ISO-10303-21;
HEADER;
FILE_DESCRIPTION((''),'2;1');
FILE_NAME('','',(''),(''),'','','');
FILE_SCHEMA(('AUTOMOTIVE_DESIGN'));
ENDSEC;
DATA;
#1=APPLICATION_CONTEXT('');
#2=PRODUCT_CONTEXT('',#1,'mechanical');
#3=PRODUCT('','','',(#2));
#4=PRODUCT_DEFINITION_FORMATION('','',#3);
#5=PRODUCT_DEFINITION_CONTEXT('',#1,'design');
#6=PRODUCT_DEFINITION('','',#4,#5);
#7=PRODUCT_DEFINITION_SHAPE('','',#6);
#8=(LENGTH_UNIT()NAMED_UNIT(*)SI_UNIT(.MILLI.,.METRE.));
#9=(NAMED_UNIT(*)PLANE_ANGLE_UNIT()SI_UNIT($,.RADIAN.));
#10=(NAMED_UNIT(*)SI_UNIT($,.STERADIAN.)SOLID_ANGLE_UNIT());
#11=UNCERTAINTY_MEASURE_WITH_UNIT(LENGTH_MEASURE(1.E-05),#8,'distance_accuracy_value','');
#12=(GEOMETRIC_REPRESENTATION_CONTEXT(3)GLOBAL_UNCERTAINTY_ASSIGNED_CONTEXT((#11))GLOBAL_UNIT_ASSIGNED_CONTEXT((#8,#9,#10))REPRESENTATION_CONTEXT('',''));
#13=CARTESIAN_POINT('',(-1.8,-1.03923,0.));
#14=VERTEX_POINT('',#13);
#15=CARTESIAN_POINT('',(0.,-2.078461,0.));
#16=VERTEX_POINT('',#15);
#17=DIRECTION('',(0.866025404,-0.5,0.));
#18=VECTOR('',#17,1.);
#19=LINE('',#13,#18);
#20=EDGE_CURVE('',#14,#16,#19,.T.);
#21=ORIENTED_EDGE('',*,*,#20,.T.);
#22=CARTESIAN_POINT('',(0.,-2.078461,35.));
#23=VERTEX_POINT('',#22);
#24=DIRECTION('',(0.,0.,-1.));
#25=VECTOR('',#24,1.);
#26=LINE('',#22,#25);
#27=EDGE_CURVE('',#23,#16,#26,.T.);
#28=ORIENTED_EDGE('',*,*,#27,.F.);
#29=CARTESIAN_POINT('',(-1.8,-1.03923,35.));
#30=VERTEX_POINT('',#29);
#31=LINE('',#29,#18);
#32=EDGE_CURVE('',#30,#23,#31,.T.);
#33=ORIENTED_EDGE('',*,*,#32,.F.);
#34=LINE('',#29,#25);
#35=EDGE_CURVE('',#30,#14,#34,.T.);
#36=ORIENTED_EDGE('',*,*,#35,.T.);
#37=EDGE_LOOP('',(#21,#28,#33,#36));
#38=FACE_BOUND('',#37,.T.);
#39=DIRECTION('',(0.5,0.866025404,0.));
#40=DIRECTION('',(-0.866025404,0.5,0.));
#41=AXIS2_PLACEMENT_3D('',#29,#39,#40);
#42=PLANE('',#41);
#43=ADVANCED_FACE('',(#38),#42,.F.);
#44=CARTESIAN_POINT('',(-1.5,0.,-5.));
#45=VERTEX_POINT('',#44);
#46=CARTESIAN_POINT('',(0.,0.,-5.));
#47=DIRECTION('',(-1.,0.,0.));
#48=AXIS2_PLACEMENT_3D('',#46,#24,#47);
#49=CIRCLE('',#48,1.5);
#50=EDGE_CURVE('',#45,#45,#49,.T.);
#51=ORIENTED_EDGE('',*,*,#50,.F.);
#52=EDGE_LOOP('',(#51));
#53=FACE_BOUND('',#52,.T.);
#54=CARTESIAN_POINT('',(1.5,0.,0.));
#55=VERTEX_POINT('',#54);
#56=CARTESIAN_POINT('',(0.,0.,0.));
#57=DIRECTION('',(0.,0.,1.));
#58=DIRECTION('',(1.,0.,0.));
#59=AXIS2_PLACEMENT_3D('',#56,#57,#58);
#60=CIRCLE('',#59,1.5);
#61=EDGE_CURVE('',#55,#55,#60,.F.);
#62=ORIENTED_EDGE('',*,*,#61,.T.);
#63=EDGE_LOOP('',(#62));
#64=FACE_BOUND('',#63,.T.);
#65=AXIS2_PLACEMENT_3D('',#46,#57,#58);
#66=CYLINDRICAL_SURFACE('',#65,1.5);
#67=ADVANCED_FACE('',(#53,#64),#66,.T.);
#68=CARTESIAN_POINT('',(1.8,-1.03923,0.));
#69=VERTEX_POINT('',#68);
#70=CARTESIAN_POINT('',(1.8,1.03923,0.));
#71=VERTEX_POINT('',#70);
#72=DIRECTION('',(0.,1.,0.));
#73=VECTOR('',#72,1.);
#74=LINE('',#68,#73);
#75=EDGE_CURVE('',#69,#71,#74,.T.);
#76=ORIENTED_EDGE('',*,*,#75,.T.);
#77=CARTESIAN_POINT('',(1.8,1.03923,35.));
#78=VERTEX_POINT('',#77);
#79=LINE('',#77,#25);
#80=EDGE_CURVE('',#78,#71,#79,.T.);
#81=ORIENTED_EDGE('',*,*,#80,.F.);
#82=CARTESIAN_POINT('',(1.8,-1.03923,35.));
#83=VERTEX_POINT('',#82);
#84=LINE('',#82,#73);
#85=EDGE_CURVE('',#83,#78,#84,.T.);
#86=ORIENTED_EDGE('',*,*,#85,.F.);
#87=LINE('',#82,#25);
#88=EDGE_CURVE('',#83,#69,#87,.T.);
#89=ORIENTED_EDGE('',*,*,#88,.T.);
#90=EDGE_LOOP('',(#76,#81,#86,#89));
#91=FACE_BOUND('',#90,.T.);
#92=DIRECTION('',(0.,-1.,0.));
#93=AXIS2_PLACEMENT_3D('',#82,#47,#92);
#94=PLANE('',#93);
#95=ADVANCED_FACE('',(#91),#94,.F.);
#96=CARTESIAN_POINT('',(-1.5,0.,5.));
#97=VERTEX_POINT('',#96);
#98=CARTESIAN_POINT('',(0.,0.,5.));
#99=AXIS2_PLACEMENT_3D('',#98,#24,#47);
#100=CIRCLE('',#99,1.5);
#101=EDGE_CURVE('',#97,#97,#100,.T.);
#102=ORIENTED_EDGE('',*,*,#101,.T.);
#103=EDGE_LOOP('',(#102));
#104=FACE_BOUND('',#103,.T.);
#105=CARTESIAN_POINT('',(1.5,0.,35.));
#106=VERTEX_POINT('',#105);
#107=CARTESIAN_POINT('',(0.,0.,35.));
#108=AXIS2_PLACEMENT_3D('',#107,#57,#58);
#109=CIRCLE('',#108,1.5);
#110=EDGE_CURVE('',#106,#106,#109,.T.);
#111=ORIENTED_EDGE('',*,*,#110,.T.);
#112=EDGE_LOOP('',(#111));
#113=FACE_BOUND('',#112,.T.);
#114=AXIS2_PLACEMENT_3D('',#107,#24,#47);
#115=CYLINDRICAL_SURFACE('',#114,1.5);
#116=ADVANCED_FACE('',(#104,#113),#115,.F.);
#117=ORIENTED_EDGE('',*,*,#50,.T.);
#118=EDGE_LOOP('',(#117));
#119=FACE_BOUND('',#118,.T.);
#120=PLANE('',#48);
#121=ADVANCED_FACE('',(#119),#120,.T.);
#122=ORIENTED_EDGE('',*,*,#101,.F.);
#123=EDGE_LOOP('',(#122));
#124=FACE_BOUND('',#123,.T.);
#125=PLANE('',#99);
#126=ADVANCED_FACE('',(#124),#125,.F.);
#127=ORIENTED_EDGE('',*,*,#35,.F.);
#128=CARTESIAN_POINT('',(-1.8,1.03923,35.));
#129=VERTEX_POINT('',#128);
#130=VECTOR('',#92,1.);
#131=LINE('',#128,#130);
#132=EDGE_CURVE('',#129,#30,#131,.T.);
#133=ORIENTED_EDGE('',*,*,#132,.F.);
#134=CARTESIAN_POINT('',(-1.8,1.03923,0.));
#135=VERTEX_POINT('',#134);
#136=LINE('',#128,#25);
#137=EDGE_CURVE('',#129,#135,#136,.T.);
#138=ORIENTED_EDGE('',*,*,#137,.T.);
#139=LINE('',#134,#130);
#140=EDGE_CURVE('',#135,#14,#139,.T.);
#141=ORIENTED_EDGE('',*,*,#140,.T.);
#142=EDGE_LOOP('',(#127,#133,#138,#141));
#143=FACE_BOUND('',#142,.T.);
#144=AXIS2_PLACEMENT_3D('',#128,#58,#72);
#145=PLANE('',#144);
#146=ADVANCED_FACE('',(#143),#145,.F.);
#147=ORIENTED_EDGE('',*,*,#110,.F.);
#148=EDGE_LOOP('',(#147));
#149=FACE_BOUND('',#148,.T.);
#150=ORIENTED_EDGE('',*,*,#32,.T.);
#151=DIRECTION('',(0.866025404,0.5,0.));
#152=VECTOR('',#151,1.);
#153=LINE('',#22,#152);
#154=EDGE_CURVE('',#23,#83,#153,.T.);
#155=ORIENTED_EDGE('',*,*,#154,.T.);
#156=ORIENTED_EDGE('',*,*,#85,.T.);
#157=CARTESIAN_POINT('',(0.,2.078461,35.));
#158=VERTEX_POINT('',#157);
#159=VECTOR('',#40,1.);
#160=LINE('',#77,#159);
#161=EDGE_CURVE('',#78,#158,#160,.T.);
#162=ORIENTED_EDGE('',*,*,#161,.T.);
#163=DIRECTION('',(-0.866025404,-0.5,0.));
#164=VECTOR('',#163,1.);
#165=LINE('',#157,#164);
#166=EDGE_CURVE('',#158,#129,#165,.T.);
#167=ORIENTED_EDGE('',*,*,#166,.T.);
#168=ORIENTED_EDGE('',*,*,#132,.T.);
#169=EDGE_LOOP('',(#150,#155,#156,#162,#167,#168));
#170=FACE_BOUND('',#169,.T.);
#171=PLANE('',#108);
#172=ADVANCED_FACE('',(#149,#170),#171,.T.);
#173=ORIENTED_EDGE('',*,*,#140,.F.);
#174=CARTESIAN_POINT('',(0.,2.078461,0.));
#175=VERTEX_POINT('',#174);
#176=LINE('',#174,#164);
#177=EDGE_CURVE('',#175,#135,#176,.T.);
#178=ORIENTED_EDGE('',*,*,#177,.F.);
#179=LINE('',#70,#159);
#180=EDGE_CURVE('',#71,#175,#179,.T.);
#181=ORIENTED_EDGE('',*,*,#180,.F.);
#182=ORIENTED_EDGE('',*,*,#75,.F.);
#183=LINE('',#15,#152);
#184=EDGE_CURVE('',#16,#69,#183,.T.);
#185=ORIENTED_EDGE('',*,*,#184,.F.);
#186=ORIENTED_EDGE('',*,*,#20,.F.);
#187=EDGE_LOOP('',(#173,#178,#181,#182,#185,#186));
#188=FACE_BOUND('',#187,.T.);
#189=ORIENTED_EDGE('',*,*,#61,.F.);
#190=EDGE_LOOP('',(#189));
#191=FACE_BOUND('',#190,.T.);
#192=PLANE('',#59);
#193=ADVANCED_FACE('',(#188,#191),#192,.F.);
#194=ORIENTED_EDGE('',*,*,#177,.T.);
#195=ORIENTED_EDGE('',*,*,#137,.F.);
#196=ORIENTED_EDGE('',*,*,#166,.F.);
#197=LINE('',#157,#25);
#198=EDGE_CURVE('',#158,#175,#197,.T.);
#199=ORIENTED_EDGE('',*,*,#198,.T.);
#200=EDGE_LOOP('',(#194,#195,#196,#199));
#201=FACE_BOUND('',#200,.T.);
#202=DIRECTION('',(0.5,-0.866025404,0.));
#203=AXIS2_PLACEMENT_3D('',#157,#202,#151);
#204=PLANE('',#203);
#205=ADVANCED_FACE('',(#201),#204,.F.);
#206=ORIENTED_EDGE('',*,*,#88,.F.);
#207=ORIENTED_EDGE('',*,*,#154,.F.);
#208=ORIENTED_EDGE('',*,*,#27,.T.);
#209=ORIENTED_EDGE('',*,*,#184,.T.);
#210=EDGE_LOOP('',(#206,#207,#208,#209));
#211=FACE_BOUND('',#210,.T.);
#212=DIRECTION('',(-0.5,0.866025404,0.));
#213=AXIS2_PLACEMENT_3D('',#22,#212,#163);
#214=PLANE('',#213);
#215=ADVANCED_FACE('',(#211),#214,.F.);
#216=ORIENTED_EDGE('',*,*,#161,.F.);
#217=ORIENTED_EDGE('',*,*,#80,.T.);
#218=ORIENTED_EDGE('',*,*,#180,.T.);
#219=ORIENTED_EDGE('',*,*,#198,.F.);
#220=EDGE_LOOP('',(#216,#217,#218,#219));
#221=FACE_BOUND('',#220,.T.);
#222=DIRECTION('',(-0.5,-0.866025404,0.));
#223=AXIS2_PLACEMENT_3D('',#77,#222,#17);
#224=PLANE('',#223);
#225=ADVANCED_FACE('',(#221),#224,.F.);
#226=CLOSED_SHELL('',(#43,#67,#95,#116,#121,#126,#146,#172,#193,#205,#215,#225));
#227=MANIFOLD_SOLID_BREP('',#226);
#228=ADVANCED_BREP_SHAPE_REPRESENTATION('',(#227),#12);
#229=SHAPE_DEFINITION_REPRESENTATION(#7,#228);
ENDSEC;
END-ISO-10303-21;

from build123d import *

# Parameters (mm, degrees)
SKETCH_1_R      = 1.5
EXTRUDE_1_DEPTH = 35
SKETCH_2_R      = 1.5
EXTRUDE_2_DEPTH = 5


with BuildPart() as part:
    # 草图1 → 凸台-拉伸1 (new body)
    with BuildSketch(Plane.XY):
        Polygon((0, 2.078460969), (-1.8, 1.039230485), (-1.8, -1.039230485), (0, -2.078460969), (1.8, -1.039230485), (1.8, 1.039230485), align=None)
        Circle(SKETCH_1_R, mode=Mode.SUBTRACT)
    extrude(amount=EXTRUDE_1_DEPTH)

    # 草图2 → 凸台-拉伸2 (add, symmetric)
    with BuildSketch(Plane(origin=(0, 0, 0), x_dir=(-1, 0, 0), z_dir=(0, 0, -1))):
        Circle(SKETCH_2_R)
    extrude(amount=EXTRUDE_2_DEPTH, both=True)


solid = part.part
